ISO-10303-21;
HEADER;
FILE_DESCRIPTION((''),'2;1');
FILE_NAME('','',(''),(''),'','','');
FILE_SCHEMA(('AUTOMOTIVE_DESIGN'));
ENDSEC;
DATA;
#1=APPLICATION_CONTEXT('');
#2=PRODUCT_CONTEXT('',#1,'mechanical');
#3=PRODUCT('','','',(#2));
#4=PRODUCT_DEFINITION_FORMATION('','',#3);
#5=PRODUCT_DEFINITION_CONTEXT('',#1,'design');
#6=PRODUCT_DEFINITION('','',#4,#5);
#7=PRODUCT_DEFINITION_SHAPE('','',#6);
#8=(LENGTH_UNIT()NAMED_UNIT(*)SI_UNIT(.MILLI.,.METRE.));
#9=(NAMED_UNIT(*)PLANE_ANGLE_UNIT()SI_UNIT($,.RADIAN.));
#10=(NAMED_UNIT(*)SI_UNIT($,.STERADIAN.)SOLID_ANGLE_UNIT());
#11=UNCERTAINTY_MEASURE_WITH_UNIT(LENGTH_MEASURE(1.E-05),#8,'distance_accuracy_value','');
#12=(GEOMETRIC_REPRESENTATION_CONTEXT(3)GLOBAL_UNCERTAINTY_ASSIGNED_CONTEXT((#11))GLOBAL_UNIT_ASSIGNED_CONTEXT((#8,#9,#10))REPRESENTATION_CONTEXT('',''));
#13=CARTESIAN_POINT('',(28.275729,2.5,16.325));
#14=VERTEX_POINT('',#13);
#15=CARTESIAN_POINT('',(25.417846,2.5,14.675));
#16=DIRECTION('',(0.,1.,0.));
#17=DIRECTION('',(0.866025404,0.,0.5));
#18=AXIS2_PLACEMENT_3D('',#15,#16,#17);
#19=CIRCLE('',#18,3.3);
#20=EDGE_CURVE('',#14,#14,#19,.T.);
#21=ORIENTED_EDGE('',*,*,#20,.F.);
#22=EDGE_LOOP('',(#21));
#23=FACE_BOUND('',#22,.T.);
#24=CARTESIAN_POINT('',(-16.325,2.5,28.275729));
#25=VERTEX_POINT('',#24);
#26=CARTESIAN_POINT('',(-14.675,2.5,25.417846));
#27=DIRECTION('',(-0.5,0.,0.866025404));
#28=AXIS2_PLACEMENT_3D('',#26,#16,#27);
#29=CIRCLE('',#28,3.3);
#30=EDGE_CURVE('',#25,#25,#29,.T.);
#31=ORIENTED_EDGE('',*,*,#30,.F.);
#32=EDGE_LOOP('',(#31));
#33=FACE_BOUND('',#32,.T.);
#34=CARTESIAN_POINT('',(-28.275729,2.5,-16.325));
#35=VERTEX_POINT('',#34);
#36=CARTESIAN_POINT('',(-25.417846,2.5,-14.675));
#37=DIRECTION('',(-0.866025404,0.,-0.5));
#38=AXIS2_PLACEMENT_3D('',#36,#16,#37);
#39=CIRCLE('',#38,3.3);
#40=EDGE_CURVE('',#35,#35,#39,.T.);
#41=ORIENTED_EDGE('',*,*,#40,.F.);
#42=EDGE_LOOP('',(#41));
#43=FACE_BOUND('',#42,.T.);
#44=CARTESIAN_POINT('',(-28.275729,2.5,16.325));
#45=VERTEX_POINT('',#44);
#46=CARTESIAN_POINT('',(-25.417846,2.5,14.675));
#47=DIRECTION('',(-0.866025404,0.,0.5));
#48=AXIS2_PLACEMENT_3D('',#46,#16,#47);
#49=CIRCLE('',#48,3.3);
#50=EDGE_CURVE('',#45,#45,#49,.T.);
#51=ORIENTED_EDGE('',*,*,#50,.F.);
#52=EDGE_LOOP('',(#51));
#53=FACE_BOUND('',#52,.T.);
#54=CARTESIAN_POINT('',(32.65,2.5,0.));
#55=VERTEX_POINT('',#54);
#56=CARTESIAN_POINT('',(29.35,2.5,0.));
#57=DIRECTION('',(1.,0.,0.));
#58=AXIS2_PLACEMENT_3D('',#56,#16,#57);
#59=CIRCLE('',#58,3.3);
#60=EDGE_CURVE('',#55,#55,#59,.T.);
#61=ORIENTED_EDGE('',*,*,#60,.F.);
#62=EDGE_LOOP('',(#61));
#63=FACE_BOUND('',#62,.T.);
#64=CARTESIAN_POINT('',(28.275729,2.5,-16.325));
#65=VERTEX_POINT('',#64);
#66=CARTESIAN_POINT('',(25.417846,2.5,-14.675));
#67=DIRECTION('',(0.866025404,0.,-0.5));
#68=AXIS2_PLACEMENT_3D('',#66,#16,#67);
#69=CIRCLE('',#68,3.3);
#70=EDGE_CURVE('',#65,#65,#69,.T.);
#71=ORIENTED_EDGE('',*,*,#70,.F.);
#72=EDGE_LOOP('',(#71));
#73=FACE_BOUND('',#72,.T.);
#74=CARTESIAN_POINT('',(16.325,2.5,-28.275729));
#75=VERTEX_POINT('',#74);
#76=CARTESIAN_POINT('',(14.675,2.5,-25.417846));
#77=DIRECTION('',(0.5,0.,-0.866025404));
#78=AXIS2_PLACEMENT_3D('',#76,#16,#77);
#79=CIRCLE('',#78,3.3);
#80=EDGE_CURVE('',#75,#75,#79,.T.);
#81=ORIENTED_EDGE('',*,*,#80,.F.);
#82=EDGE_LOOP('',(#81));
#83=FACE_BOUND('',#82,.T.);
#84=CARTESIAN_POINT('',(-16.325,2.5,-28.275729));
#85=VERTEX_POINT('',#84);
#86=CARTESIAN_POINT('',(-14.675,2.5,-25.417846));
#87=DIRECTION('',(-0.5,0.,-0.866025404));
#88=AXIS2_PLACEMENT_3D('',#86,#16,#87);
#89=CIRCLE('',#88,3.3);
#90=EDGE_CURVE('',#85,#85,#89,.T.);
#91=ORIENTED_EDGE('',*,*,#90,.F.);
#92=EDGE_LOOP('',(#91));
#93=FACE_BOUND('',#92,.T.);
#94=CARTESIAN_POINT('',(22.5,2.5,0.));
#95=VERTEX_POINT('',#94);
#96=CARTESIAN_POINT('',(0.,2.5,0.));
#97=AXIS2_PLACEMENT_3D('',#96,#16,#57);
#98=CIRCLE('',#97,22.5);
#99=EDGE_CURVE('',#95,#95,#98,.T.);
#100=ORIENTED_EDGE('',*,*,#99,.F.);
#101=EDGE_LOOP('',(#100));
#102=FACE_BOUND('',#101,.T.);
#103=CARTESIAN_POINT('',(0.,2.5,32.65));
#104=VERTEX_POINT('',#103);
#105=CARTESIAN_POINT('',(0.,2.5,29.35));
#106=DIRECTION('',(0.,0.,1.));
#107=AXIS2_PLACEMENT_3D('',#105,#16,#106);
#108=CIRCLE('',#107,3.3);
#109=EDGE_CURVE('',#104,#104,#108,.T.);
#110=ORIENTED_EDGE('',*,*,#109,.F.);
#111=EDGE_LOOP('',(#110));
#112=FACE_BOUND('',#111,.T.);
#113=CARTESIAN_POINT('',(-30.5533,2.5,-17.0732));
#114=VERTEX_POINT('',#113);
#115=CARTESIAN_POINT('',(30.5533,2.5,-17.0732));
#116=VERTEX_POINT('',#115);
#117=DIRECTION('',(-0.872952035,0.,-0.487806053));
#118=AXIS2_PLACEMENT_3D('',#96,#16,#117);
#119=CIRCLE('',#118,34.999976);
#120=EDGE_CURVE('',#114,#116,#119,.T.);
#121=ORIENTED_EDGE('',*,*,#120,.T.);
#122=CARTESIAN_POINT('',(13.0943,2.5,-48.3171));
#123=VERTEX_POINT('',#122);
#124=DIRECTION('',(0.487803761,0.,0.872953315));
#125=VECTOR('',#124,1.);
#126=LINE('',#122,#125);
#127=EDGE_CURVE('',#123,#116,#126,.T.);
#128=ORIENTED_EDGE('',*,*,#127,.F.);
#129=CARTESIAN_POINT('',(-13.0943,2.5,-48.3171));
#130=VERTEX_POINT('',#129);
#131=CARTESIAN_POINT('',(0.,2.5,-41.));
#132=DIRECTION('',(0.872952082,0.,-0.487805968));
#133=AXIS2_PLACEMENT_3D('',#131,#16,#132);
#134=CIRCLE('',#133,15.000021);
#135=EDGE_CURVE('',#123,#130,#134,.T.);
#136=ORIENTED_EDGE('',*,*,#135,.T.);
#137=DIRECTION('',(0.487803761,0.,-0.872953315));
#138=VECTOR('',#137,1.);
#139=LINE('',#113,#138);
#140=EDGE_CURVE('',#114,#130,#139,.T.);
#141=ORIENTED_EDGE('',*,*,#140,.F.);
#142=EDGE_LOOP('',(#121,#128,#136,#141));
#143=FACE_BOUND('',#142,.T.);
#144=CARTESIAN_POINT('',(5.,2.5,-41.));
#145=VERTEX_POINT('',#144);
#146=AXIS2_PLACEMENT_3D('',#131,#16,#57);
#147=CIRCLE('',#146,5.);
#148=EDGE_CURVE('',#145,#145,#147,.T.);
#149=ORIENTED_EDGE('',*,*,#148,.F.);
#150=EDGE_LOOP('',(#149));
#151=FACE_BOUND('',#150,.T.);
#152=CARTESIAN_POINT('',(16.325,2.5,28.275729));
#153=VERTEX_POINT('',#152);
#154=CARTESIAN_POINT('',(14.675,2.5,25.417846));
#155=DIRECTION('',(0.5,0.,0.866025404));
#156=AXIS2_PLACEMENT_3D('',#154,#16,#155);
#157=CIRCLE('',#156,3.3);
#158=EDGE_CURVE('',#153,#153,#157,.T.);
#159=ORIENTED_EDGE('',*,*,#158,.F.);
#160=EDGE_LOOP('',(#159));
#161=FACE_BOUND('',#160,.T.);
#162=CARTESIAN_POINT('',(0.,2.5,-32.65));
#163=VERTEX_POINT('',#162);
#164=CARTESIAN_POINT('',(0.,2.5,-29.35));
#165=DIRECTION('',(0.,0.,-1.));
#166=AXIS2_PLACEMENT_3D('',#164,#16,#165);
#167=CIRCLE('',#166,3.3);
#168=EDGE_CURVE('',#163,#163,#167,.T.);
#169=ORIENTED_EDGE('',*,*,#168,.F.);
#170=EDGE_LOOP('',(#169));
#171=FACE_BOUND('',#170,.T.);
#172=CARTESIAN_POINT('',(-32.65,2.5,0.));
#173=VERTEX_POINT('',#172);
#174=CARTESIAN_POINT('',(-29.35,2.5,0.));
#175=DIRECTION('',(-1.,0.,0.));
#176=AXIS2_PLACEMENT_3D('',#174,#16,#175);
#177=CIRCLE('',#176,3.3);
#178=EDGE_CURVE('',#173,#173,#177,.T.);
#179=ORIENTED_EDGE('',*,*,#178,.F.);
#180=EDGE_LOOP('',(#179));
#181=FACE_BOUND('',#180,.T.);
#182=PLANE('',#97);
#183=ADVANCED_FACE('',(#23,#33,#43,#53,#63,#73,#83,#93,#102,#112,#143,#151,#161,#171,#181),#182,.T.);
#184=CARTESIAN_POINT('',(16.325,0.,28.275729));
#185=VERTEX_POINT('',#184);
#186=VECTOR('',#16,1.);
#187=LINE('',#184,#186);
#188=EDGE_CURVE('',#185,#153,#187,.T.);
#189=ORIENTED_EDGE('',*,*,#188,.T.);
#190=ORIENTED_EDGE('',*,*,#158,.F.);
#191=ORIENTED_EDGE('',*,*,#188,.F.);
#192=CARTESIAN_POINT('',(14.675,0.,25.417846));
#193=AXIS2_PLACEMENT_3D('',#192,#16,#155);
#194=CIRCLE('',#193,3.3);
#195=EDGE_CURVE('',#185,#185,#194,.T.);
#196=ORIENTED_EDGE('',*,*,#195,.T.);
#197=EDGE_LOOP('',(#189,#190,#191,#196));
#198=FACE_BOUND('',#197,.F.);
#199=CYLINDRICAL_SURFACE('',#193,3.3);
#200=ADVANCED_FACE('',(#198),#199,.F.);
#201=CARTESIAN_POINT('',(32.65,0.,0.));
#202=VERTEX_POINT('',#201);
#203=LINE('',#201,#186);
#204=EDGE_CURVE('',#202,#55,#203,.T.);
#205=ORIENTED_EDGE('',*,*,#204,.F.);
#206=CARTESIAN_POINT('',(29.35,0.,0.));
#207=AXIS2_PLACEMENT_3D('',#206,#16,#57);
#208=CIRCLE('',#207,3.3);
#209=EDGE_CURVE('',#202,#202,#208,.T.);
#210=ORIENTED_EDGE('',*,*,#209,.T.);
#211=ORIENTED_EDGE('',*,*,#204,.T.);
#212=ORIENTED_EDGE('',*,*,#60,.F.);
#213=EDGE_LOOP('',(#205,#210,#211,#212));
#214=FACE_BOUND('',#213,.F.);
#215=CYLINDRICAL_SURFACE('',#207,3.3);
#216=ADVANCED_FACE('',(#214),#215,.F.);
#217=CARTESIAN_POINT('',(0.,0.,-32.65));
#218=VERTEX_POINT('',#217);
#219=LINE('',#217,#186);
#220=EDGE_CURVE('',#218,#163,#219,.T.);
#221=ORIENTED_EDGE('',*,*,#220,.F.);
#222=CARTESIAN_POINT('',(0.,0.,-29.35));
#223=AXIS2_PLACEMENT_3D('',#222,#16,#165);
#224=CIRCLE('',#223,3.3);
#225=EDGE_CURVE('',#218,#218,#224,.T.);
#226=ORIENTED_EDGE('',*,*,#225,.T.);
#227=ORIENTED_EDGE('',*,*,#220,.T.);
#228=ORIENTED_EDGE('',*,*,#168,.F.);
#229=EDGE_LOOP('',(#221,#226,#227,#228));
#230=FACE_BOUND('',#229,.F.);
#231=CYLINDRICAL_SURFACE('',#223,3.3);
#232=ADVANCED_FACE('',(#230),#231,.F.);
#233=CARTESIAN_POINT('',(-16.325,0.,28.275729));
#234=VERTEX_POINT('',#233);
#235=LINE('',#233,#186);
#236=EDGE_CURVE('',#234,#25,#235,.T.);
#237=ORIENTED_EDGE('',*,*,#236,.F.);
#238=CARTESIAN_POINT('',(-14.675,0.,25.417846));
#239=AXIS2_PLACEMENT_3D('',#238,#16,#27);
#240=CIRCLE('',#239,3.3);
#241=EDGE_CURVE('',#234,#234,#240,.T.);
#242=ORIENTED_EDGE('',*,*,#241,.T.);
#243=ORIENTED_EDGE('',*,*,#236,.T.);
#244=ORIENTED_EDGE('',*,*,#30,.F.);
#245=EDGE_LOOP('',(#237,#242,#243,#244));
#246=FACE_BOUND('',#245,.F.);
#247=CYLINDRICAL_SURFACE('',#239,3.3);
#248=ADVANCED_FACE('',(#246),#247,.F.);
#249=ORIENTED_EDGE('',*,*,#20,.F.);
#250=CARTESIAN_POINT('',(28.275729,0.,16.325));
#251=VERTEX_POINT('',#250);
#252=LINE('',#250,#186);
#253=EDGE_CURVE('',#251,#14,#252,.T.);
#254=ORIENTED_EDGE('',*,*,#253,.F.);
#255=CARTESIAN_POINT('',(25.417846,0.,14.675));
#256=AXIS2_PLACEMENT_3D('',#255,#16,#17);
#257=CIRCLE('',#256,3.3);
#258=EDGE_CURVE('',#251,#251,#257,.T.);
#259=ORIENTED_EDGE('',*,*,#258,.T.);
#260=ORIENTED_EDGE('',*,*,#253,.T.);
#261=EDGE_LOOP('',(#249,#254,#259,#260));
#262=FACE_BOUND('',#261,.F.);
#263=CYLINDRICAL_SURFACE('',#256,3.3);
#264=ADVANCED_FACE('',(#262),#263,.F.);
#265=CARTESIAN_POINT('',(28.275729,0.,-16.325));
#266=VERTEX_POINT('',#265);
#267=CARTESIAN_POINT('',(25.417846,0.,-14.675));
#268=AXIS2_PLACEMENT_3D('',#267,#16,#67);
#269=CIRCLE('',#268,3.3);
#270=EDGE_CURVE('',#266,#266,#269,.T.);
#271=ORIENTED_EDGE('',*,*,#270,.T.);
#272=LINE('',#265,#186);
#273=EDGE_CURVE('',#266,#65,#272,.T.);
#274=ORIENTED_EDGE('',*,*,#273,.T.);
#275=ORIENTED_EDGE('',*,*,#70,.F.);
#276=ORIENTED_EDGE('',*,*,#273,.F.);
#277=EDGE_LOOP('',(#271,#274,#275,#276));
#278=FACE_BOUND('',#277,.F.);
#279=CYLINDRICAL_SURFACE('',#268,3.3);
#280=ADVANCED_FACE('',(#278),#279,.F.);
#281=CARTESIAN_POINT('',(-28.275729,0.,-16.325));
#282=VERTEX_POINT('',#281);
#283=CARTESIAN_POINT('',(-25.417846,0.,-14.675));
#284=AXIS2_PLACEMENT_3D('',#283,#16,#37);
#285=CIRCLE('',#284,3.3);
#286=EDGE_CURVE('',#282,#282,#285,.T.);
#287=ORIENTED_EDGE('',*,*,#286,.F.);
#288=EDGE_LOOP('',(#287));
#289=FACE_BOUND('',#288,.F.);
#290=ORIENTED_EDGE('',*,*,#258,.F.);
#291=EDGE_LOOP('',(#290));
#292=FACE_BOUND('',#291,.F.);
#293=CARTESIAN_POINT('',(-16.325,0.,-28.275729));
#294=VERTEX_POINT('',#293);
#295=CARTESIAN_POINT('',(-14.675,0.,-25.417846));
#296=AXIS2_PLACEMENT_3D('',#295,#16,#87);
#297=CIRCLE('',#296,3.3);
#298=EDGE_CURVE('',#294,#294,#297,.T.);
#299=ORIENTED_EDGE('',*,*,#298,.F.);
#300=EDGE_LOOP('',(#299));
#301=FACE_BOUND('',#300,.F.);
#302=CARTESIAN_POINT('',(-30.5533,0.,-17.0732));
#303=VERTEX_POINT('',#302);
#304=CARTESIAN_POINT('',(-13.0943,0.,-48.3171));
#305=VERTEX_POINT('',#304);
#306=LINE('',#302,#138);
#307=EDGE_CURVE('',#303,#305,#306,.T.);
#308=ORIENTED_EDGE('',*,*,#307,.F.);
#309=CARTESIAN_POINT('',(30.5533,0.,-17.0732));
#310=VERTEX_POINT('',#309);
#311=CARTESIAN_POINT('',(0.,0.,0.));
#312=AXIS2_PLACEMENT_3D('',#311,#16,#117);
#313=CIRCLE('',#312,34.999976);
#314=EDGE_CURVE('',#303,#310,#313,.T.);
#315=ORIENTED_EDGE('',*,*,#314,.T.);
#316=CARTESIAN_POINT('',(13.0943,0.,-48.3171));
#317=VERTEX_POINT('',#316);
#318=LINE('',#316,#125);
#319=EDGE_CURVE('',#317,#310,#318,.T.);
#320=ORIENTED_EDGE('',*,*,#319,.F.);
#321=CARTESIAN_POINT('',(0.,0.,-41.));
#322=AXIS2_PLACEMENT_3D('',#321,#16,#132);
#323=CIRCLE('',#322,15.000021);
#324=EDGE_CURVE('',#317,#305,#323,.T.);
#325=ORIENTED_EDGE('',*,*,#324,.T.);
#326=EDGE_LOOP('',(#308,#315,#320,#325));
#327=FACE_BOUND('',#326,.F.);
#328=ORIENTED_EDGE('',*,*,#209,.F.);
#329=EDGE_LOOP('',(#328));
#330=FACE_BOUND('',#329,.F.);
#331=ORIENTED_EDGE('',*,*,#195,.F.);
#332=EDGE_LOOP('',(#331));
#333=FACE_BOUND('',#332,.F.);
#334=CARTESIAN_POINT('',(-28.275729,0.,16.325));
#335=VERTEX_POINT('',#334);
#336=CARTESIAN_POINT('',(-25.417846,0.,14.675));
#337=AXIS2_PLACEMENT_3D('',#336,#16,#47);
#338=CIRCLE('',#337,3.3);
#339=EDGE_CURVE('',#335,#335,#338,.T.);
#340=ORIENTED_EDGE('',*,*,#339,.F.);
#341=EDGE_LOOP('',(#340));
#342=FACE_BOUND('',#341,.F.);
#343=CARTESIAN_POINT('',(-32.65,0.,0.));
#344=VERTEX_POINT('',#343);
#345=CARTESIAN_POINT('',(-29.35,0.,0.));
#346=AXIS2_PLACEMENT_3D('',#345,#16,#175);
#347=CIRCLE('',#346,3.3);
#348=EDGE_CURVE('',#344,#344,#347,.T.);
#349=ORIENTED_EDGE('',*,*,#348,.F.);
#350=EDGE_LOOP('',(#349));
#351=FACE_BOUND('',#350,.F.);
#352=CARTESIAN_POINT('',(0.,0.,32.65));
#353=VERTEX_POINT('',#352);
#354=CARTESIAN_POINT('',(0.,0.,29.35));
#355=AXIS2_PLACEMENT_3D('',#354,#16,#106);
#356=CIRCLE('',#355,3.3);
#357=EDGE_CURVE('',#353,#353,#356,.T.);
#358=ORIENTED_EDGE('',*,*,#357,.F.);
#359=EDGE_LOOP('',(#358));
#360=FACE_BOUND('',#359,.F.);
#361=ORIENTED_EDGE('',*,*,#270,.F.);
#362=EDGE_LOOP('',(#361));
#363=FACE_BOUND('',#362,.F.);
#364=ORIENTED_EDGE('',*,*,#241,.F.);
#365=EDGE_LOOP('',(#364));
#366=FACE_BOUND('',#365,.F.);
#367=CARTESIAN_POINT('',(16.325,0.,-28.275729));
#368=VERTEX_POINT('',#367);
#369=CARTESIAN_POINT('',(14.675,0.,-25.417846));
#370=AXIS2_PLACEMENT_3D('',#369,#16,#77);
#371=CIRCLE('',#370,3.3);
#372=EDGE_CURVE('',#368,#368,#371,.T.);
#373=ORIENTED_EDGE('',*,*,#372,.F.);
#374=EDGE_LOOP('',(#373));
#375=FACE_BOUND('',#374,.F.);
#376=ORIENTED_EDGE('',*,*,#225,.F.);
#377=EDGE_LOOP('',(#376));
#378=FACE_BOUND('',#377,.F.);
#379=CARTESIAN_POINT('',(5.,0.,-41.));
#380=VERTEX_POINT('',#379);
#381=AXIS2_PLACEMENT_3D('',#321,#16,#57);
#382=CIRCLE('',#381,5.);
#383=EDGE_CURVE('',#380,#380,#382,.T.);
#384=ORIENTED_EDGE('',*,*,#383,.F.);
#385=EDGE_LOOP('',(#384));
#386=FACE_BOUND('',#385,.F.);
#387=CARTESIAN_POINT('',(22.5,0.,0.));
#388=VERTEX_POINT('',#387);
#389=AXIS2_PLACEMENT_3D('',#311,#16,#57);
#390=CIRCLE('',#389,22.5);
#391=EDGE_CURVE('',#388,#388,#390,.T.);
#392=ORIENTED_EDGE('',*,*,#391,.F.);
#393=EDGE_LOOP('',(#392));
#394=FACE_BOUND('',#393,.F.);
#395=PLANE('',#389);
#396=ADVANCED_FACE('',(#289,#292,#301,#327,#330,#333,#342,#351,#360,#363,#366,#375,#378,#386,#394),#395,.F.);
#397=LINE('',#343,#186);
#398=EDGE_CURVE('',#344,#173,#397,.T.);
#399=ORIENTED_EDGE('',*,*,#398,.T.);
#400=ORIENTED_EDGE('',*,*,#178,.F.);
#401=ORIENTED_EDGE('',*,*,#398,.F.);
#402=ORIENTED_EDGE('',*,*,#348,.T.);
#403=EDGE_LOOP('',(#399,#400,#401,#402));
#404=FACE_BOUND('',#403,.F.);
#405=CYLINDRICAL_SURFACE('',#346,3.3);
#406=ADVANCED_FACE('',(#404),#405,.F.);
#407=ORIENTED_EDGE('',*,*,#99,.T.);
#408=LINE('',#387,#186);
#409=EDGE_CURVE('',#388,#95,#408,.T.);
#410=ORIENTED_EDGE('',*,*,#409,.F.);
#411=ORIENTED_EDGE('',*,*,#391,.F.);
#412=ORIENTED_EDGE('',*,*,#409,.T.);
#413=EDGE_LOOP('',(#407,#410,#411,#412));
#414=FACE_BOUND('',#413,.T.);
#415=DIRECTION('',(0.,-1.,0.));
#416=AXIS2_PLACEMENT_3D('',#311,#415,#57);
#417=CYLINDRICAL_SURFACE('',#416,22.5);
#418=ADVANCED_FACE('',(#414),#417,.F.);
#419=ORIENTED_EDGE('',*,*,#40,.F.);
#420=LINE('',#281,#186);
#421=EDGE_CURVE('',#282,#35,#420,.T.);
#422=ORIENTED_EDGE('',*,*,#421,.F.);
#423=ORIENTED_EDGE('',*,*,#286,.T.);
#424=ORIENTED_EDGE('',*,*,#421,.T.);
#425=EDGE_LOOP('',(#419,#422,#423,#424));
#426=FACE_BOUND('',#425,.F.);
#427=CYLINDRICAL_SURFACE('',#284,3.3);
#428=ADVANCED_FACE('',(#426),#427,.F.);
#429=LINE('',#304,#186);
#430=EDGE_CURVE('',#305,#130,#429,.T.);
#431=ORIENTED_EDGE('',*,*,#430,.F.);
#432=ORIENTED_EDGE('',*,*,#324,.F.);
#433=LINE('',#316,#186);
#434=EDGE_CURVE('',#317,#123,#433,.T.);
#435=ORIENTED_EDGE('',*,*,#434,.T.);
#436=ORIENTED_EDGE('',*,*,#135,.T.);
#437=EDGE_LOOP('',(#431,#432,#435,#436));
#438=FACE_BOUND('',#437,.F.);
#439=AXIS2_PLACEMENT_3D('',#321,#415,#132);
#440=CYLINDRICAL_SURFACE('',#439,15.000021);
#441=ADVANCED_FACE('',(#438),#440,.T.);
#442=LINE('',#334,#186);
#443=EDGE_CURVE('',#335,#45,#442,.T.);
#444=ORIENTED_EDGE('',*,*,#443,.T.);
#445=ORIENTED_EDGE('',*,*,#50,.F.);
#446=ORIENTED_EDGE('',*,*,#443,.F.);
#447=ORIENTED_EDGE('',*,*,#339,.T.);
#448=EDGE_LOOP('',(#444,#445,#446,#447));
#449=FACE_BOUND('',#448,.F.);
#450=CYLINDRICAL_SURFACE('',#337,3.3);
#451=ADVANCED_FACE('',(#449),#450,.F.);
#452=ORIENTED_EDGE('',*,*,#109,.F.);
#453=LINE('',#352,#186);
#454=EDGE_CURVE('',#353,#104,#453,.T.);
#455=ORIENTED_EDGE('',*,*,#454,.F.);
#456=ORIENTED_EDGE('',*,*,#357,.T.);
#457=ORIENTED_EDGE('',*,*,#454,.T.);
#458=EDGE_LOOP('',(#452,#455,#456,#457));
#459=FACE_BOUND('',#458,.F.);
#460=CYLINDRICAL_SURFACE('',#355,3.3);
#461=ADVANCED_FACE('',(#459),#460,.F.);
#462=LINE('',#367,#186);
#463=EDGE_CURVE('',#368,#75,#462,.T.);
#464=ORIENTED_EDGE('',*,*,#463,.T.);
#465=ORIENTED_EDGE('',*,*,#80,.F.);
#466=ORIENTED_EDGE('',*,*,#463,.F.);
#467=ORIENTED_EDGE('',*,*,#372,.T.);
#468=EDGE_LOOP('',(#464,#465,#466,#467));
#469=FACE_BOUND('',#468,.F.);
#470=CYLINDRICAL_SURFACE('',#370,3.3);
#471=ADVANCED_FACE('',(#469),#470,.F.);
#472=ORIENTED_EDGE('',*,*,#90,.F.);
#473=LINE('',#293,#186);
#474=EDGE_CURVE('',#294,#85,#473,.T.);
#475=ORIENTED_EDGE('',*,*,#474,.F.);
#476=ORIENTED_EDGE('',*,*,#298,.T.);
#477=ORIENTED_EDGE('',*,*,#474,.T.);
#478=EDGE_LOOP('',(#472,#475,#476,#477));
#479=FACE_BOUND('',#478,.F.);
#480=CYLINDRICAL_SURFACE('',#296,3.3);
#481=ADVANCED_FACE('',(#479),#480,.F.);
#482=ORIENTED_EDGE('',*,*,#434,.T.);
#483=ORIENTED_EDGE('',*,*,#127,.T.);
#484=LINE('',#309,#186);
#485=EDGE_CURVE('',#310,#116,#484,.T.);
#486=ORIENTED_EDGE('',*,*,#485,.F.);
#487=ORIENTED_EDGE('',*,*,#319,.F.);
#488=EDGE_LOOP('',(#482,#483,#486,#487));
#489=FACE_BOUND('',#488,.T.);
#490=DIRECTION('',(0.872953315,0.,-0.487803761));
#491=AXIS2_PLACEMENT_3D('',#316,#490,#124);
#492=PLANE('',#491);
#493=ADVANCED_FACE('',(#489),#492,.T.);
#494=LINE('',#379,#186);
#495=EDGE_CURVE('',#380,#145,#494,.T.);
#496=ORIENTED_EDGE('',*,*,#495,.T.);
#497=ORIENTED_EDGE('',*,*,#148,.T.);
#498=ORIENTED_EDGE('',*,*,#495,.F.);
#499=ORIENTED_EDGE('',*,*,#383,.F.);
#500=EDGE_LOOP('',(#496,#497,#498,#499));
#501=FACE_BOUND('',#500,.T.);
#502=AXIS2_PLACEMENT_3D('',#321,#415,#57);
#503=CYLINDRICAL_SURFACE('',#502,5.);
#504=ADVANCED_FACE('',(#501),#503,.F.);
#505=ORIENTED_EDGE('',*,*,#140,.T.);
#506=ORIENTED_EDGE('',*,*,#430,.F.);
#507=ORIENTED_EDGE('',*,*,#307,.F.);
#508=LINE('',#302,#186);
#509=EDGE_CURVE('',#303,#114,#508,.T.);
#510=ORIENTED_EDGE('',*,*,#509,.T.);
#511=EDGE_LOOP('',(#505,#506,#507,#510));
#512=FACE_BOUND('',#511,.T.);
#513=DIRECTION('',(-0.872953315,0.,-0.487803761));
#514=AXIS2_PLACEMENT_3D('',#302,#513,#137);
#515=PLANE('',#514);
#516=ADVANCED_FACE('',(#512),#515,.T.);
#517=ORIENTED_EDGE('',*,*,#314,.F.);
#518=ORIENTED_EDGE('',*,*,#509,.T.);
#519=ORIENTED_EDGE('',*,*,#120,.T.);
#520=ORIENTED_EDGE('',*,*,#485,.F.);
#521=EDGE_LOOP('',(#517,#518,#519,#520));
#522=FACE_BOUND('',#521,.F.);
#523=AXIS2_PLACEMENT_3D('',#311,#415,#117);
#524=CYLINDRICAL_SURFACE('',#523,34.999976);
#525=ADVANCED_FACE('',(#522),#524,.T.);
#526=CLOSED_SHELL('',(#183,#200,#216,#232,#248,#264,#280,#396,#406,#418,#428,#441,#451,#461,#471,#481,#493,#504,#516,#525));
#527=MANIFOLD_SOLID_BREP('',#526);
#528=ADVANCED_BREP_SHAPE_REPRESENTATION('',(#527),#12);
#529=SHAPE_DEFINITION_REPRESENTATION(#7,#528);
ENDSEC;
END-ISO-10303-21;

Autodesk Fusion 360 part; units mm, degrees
sketch "Sketch1" plane through (0, 0, 0) normal (0, 1, 0) x (1, 0, 0)
  circle A0 centre (0, 0) radius 22.5
  line L0 (-30.5533, 17.0732) -> (-13.0943, 48.3171)
  arc A1 (13.0943, 48.3171) -> (-13.0943, 48.3171) centre (0, 41) ccw
  line L1 (13.0943, 48.3171) -> (30.5533, 17.0732)
  arc A2 (-30.5533, 17.0732) -> (30.5533, 17.0732) centre (0, 0) ccw
  circle A3 centre (0, 41) radius 5
  point P0 (0, 29.35)
  dimension "d1" = 45
  dimension "d2" = 41
  dimension "d3" = 10
  dimension "d4" = 35
  dimension "d5" = 15
  dimension "d8" = 29.35
extrude "Extrude1" add sketch "Sketch1" along normal blind 2.5
hole "Hole1" at (0, 0, -29.35) direction (0, 1, 0) diameter 6.6 end through all
pattern_circular "C-Pattern1" count 12 over 360 about axis through (0, 1.75, 0) along (0, 1, 0) of "Hole1"
equation "d8 = ( 58.7 / 2 ) * 1 mm"
